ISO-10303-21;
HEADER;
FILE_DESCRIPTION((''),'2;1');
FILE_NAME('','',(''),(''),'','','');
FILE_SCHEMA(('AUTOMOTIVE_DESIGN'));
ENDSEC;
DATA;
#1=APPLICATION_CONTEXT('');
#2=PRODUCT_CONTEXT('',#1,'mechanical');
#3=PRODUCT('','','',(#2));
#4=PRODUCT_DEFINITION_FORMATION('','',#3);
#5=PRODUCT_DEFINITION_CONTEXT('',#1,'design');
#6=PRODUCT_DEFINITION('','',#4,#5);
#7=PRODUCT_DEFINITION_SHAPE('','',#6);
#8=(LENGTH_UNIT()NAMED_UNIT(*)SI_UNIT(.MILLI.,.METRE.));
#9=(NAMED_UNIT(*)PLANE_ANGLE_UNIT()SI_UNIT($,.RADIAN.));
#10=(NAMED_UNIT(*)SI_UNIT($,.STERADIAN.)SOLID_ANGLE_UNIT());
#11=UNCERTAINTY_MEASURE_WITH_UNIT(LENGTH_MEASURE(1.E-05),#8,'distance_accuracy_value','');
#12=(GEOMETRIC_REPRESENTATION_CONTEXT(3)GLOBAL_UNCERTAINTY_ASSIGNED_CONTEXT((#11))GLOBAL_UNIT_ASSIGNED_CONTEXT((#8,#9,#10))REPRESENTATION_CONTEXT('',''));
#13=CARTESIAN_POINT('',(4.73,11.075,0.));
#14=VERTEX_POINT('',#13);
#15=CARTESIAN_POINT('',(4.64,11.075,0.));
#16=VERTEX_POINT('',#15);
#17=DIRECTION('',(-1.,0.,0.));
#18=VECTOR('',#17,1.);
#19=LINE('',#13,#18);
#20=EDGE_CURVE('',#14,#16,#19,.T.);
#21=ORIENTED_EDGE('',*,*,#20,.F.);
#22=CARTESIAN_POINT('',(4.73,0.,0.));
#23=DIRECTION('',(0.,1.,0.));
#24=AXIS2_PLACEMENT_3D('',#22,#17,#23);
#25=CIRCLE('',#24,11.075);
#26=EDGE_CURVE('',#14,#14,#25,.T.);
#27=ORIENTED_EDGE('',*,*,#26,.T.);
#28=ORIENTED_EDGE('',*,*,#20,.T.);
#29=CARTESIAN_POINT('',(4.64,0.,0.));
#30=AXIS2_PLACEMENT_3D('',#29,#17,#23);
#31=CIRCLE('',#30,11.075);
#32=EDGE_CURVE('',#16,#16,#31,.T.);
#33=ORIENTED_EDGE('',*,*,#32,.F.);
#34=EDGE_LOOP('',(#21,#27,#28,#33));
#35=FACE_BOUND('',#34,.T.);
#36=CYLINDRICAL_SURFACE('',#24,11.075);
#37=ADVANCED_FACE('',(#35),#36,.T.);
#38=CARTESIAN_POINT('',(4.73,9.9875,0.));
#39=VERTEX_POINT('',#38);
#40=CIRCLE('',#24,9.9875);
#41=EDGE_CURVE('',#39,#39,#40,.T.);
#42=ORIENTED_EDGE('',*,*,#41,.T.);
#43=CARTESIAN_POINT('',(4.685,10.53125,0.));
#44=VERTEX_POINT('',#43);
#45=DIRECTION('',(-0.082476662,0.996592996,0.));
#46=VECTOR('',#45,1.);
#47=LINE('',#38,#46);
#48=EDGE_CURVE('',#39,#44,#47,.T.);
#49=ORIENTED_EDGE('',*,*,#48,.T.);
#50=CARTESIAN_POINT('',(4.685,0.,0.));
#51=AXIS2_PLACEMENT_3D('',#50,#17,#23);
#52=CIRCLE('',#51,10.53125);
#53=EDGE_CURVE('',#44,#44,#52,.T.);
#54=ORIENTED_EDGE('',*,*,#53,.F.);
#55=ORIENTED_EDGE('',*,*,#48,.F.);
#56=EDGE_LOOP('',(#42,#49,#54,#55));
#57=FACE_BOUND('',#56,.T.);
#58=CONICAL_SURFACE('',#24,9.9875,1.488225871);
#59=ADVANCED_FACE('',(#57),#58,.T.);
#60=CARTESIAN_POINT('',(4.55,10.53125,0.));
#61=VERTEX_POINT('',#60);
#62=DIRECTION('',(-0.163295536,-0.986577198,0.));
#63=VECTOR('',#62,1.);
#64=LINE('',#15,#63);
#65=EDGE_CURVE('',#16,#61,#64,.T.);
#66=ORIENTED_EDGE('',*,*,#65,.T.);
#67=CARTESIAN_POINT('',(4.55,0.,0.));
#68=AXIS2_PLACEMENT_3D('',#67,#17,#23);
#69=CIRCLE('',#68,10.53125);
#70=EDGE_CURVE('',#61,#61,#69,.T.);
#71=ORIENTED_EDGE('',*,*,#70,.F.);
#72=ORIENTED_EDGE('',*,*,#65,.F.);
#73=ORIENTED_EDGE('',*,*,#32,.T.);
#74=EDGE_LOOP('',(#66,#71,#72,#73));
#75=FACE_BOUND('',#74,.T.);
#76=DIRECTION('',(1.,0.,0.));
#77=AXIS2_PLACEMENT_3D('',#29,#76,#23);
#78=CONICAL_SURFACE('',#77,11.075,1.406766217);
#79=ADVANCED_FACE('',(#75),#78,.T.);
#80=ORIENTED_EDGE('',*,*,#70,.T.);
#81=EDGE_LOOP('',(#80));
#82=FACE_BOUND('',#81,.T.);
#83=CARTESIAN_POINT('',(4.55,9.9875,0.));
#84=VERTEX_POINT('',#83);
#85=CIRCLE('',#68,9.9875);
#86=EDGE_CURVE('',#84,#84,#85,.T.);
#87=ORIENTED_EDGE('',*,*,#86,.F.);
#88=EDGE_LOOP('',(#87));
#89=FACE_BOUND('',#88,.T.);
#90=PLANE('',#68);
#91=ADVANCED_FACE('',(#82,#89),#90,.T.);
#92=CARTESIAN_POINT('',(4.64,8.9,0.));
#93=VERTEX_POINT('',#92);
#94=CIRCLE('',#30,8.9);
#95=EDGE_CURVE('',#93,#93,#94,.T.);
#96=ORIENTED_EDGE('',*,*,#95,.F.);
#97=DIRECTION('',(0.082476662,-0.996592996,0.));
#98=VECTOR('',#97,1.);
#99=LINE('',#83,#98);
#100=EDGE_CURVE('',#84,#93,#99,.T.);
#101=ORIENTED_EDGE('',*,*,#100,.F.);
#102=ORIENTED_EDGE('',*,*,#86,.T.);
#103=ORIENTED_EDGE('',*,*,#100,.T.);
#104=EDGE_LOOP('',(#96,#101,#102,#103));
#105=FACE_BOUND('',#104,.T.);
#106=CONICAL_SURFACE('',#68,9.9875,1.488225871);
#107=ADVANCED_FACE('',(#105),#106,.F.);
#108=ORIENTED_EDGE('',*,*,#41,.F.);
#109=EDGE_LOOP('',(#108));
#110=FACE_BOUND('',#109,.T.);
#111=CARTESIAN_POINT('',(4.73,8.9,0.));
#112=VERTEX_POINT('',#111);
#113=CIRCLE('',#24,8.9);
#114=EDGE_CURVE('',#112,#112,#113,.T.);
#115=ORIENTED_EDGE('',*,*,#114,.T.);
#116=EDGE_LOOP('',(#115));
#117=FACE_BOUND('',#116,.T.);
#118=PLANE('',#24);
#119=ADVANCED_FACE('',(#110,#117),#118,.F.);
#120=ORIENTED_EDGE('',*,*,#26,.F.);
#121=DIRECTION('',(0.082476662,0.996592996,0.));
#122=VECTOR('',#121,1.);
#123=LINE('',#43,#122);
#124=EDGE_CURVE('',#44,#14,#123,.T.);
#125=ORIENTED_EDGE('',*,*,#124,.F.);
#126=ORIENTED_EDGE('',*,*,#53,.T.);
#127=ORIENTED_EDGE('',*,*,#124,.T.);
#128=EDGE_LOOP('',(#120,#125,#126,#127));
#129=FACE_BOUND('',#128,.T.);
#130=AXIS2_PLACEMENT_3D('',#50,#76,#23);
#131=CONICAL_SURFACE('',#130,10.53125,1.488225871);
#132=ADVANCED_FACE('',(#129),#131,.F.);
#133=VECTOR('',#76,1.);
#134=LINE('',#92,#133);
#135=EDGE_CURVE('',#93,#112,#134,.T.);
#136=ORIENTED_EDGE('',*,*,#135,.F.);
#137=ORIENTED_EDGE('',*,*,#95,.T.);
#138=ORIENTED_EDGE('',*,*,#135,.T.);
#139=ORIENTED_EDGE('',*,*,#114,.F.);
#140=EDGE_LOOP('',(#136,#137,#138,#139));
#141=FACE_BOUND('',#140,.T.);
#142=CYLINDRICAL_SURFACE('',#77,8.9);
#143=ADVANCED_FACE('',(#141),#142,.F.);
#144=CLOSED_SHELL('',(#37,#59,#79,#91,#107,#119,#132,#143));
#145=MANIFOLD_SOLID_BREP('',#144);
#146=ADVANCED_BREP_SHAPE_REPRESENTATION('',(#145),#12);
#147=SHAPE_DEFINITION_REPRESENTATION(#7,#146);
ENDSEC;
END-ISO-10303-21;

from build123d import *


with BuildPart() as part:
    # 草图1 → 旋转1 (revolve)
    with BuildSketch(Plane.XY):
        Polygon((4.55, 10.53125), (4.55, 9.9875), (4.64, 8.9), (4.73, 8.9), (4.73, 9.9875), (4.685, 10.53125), (4.73, 11.075), (4.64, 11.075), align=None)
    revolve(axis=Axis((50, 0, 0), (-1, 0, 0)))


solid = part.part
